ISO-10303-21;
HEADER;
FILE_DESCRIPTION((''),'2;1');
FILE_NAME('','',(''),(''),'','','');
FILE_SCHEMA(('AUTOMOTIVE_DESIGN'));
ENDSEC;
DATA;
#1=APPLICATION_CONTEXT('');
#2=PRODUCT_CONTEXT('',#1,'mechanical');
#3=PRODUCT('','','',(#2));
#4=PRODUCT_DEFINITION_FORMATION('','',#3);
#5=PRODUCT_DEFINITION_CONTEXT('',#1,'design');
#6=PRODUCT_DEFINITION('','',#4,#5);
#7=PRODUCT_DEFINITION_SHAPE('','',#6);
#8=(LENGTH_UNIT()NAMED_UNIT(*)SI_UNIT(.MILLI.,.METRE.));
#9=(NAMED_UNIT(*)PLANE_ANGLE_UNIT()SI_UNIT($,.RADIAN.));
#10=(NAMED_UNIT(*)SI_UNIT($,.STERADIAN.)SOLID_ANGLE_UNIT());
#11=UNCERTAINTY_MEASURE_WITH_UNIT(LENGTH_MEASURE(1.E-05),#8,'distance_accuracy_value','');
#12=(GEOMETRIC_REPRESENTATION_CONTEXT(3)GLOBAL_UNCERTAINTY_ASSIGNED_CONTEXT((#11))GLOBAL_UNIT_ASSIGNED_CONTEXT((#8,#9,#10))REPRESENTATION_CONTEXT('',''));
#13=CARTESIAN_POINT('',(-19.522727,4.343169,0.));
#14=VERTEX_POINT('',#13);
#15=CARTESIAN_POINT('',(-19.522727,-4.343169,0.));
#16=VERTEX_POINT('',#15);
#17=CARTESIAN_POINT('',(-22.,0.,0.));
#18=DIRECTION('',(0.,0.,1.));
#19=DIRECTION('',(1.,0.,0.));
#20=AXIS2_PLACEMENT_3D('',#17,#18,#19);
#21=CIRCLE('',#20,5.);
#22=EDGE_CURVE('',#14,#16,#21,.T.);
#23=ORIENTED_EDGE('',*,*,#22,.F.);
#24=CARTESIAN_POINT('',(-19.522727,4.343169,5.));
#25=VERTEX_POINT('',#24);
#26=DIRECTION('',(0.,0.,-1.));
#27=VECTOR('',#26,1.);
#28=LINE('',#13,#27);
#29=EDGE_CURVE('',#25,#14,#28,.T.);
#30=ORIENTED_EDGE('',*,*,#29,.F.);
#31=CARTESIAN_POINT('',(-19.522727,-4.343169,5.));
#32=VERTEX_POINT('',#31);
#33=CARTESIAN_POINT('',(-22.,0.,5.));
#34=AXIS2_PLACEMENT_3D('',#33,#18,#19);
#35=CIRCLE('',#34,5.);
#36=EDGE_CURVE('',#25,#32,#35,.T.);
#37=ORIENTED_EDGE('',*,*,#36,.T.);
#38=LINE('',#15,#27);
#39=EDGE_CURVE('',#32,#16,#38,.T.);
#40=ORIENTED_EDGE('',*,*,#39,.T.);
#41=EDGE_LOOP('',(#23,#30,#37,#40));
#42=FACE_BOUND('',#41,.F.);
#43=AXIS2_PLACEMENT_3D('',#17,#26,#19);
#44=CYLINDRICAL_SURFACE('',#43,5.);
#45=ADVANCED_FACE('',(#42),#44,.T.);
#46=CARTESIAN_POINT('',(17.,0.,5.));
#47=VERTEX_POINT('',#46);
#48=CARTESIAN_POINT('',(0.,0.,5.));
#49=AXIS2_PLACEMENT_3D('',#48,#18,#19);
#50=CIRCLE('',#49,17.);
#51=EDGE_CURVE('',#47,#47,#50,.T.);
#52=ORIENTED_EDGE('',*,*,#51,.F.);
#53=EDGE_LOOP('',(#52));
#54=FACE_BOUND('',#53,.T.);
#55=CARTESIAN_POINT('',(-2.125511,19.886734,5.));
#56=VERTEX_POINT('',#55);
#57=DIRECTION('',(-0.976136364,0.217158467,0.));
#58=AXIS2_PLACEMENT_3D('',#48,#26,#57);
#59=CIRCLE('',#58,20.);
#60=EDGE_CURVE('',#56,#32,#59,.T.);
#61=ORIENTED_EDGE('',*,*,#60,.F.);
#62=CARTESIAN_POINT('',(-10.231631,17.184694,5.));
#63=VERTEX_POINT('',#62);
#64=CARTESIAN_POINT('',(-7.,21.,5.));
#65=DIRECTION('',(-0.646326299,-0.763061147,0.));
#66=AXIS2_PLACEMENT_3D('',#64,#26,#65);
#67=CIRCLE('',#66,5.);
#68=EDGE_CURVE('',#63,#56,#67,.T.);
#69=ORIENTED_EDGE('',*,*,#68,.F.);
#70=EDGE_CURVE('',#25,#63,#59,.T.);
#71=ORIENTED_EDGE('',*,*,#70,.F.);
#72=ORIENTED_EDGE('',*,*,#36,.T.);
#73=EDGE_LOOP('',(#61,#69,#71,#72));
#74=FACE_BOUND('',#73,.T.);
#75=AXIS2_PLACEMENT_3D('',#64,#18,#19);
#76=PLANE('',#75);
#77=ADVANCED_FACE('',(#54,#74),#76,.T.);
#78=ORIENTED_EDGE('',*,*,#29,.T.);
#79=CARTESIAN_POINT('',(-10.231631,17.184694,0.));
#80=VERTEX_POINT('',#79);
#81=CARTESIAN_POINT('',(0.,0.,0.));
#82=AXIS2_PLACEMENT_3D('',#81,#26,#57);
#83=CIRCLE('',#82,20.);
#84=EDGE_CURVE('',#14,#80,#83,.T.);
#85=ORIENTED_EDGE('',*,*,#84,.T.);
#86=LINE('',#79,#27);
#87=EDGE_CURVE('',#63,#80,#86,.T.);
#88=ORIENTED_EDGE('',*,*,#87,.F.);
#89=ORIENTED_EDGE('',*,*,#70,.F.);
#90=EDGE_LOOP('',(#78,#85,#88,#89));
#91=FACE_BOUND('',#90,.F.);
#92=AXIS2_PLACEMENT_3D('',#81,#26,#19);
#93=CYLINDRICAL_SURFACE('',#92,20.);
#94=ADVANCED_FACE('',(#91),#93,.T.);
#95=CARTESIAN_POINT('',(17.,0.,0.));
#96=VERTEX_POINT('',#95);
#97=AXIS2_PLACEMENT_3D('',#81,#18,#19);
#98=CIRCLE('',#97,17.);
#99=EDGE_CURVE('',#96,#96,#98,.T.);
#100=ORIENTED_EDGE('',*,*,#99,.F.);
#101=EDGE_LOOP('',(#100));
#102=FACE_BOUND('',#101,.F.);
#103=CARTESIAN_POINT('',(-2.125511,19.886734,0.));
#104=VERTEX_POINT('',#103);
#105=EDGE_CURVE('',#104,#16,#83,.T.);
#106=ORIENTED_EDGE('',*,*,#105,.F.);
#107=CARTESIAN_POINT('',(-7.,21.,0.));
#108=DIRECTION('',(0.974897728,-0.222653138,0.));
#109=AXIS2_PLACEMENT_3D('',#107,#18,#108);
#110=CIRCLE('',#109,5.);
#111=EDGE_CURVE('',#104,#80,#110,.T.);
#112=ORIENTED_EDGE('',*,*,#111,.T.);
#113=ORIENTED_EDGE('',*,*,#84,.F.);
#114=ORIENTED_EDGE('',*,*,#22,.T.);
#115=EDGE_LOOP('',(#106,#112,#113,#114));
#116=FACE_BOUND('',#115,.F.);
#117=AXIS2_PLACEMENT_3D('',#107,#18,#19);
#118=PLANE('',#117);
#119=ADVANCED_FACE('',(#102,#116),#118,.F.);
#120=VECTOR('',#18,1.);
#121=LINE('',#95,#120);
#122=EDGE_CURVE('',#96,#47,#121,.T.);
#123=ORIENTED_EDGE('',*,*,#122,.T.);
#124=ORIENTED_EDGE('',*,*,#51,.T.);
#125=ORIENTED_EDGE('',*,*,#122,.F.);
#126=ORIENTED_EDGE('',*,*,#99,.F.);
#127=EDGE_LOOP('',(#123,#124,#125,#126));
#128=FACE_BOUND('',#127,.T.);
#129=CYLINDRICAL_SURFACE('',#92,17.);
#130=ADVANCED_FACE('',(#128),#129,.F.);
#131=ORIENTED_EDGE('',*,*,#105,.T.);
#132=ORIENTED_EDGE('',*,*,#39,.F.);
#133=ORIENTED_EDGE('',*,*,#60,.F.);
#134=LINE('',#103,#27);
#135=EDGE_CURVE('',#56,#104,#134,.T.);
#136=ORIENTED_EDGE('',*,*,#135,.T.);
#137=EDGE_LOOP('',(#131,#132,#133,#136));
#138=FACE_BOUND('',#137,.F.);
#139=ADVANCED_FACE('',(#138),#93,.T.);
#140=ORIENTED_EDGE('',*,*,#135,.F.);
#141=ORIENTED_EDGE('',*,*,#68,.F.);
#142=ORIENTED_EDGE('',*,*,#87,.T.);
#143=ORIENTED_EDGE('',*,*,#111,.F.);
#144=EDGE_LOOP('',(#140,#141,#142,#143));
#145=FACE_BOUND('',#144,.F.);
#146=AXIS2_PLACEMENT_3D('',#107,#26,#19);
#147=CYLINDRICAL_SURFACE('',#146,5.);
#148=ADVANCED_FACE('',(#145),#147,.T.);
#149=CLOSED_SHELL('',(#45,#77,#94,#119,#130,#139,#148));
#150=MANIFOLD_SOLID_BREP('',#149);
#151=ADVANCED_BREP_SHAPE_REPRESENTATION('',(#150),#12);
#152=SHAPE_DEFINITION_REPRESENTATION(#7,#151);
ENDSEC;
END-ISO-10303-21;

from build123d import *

# Parameters (mm, degrees)
CYLINDER003_R     = 5
CYLINDER003_DEPTH = 5
CYLINDER002_R     = 5
CYLINDER002_DEPTH = 5
CYLINDER001_R     = 17
CYLINDER001_DEPTH = 5
CYLINDER_R        = 20
CYLINDER_DEPTH    = 5


with BuildPart() as cilindro003:
    # Cylinder003 → Cylinder003 (new body)
    with BuildSketch(Plane(origin=(-7, 21, 0), x_dir=(1, 0, 0), z_dir=(0, 0, 1))):
        Circle(CYLINDER003_R)
    extrude(amount=CYLINDER003_DEPTH)


with BuildPart() as cilindro002:
    # Cylinder002 → Cylinder002 (new body)
    with BuildSketch(Plane(origin=(-22, 0, 0), x_dir=(1, 0, 0), z_dir=(0, 0, 1))):
        Circle(CYLINDER002_R)
    extrude(amount=CYLINDER002_DEPTH)


with BuildPart() as cilindro001:
    # Cylinder001 → Cylinder001 (new body)
    with BuildSketch(Plane.XY):
        Circle(CYLINDER001_R)
    extrude(amount=CYLINDER001_DEPTH)


with BuildPart() as fusion001:
    # Cylinder → Cylinder (new body)
    with BuildSketch(Plane.XY):
        Circle(CYLINDER_R)
    extrude(amount=CYLINDER_DEPTH)

    # Cut: cut Cilindro001
    add(cilindro001.part, mode=Mode.SUBTRACT)

    # Fusion: union Cilindro002
    add(cilindro002.part)

    # Fusion001: union Cilindro003
    add(cilindro003.part)


solid = fusion001.part
